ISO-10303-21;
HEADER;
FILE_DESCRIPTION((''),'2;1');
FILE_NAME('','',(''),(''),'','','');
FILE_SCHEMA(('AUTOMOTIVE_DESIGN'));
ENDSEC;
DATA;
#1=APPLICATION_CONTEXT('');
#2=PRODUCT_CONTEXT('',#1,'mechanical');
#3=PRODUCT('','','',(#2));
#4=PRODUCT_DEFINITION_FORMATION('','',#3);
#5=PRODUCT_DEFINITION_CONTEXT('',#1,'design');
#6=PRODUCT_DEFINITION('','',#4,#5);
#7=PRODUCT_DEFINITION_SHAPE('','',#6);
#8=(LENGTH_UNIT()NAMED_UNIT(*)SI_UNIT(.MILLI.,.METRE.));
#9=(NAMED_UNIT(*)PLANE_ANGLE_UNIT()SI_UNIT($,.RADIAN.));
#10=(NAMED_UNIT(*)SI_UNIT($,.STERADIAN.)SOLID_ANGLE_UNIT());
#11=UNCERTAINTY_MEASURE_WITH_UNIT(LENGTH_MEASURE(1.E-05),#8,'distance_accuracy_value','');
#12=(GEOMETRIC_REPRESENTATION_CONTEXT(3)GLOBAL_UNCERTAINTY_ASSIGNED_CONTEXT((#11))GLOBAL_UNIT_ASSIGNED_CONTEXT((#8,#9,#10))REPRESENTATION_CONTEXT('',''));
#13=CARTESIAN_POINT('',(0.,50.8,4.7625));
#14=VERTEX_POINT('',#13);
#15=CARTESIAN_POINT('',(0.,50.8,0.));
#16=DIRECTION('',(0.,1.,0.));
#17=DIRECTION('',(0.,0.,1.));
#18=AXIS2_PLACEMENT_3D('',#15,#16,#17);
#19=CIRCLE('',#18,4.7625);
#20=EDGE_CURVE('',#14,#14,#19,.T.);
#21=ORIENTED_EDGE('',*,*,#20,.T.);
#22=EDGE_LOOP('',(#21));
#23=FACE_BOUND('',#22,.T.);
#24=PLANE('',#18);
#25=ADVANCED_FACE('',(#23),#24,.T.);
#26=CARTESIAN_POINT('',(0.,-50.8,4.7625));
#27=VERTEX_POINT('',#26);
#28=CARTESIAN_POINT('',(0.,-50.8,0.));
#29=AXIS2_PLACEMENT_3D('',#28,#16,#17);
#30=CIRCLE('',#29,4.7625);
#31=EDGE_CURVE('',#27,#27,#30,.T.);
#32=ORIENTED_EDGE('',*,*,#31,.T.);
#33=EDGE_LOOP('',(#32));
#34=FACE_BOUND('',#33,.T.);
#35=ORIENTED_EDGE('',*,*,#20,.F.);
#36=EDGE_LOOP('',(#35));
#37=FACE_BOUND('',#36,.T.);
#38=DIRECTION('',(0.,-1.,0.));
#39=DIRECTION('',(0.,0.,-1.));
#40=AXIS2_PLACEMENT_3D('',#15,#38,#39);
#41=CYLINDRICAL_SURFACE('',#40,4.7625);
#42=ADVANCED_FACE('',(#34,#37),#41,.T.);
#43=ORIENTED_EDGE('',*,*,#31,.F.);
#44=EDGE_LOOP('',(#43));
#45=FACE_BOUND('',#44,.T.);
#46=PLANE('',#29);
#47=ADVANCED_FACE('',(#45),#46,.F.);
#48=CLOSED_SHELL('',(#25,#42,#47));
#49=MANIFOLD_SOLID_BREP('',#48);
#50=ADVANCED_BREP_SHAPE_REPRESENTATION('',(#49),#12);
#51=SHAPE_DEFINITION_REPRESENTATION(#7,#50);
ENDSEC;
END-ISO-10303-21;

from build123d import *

# Parameters (mm, degrees)
SKETCH1_R           = 4.7625
BOSS_EXTRUDE1_DEPTH = 50.8


with BuildPart() as part:
    # Sketch1 → Boss-Extrude1 (new body, symmetric)
    with BuildSketch(Plane(origin=(0, 0, 0), x_dir=(1, 0, 0), z_dir=(0, 1, 0))):
        Circle(SKETCH1_R)
    extrude(amount=BOSS_EXTRUDE1_DEPTH, both=True)


solid = part.part
